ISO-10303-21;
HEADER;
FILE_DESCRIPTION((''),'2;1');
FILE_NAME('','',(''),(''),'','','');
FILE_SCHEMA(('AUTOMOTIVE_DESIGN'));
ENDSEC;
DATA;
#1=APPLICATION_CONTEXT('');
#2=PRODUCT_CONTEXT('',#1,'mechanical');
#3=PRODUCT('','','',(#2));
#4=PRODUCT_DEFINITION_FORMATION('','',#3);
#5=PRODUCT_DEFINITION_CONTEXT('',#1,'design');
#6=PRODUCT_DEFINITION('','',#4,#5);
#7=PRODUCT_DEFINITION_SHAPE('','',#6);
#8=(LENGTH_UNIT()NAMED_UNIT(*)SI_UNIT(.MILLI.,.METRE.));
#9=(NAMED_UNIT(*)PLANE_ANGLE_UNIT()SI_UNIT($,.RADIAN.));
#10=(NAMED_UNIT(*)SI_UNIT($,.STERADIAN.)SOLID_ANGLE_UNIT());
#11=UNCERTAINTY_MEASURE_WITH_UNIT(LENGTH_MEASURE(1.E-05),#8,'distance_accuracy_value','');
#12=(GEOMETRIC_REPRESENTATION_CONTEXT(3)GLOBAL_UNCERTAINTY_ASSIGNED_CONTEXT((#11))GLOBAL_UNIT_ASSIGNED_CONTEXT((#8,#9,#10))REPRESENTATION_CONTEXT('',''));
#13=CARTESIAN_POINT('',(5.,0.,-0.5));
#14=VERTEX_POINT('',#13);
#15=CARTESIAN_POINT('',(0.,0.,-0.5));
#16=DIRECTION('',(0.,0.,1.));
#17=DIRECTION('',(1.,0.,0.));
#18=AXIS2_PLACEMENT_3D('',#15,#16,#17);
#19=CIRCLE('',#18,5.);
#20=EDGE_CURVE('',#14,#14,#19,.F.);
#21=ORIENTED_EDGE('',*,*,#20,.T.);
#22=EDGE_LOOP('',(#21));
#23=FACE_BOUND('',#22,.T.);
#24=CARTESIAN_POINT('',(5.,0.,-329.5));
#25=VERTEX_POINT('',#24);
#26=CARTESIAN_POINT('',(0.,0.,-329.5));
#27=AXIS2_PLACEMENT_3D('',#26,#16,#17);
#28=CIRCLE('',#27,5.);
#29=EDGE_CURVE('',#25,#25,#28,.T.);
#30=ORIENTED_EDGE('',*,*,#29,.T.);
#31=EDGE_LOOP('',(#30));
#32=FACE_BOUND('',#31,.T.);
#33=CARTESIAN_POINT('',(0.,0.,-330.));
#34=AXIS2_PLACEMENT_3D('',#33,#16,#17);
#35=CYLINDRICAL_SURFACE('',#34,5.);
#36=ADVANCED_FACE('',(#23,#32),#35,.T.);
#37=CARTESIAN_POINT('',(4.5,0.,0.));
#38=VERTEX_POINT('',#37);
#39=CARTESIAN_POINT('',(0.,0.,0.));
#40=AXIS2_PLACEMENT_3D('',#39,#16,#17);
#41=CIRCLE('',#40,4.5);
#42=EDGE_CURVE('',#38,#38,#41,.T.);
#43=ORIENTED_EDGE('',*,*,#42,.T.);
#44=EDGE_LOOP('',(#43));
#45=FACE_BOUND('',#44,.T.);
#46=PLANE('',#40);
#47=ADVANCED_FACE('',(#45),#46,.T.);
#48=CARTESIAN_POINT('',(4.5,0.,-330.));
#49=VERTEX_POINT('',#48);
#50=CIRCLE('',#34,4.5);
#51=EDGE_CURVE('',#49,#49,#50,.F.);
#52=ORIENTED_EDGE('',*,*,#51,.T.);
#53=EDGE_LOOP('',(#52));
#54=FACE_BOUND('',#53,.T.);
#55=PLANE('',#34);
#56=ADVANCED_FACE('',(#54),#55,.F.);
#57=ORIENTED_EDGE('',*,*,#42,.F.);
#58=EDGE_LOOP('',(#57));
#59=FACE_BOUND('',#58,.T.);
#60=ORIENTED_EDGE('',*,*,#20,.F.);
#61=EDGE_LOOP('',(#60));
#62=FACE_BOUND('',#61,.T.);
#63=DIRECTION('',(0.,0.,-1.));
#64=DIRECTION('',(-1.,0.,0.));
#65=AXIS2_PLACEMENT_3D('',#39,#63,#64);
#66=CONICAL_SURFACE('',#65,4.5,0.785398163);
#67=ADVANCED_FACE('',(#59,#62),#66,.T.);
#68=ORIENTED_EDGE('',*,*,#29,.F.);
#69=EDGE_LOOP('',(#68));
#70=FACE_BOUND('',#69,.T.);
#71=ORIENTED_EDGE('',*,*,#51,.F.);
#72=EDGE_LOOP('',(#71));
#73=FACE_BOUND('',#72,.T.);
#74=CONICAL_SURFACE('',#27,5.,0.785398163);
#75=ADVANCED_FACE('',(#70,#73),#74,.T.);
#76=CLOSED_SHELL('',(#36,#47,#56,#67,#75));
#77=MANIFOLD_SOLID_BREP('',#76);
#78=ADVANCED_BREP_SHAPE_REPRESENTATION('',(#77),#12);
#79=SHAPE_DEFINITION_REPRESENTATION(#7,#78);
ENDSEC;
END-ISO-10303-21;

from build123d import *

# Parameters (mm, degrees)
SKETCH1_R           = 5
BOSS_EXTRUDE1_DEPTH = 330
CHAMFER1_SIZE       = 0.5


with BuildPart() as part:
    # Sketch1 → Boss-Extrude1 (new body)
    with BuildSketch(Plane.XY):
        Circle(SKETCH1_R)
    extrude(amount=-BOSS_EXTRUDE1_DEPTH)

    # Chamfer1
    chamfer1_edges = [part.edges().sort_by_distance(p)[0] for p in [
        (-5, 0, 0),
        (-5, 0, -330),
    ]]
    chamfer(chamfer1_edges, length=CHAMFER1_SIZE)


solid = part.part
